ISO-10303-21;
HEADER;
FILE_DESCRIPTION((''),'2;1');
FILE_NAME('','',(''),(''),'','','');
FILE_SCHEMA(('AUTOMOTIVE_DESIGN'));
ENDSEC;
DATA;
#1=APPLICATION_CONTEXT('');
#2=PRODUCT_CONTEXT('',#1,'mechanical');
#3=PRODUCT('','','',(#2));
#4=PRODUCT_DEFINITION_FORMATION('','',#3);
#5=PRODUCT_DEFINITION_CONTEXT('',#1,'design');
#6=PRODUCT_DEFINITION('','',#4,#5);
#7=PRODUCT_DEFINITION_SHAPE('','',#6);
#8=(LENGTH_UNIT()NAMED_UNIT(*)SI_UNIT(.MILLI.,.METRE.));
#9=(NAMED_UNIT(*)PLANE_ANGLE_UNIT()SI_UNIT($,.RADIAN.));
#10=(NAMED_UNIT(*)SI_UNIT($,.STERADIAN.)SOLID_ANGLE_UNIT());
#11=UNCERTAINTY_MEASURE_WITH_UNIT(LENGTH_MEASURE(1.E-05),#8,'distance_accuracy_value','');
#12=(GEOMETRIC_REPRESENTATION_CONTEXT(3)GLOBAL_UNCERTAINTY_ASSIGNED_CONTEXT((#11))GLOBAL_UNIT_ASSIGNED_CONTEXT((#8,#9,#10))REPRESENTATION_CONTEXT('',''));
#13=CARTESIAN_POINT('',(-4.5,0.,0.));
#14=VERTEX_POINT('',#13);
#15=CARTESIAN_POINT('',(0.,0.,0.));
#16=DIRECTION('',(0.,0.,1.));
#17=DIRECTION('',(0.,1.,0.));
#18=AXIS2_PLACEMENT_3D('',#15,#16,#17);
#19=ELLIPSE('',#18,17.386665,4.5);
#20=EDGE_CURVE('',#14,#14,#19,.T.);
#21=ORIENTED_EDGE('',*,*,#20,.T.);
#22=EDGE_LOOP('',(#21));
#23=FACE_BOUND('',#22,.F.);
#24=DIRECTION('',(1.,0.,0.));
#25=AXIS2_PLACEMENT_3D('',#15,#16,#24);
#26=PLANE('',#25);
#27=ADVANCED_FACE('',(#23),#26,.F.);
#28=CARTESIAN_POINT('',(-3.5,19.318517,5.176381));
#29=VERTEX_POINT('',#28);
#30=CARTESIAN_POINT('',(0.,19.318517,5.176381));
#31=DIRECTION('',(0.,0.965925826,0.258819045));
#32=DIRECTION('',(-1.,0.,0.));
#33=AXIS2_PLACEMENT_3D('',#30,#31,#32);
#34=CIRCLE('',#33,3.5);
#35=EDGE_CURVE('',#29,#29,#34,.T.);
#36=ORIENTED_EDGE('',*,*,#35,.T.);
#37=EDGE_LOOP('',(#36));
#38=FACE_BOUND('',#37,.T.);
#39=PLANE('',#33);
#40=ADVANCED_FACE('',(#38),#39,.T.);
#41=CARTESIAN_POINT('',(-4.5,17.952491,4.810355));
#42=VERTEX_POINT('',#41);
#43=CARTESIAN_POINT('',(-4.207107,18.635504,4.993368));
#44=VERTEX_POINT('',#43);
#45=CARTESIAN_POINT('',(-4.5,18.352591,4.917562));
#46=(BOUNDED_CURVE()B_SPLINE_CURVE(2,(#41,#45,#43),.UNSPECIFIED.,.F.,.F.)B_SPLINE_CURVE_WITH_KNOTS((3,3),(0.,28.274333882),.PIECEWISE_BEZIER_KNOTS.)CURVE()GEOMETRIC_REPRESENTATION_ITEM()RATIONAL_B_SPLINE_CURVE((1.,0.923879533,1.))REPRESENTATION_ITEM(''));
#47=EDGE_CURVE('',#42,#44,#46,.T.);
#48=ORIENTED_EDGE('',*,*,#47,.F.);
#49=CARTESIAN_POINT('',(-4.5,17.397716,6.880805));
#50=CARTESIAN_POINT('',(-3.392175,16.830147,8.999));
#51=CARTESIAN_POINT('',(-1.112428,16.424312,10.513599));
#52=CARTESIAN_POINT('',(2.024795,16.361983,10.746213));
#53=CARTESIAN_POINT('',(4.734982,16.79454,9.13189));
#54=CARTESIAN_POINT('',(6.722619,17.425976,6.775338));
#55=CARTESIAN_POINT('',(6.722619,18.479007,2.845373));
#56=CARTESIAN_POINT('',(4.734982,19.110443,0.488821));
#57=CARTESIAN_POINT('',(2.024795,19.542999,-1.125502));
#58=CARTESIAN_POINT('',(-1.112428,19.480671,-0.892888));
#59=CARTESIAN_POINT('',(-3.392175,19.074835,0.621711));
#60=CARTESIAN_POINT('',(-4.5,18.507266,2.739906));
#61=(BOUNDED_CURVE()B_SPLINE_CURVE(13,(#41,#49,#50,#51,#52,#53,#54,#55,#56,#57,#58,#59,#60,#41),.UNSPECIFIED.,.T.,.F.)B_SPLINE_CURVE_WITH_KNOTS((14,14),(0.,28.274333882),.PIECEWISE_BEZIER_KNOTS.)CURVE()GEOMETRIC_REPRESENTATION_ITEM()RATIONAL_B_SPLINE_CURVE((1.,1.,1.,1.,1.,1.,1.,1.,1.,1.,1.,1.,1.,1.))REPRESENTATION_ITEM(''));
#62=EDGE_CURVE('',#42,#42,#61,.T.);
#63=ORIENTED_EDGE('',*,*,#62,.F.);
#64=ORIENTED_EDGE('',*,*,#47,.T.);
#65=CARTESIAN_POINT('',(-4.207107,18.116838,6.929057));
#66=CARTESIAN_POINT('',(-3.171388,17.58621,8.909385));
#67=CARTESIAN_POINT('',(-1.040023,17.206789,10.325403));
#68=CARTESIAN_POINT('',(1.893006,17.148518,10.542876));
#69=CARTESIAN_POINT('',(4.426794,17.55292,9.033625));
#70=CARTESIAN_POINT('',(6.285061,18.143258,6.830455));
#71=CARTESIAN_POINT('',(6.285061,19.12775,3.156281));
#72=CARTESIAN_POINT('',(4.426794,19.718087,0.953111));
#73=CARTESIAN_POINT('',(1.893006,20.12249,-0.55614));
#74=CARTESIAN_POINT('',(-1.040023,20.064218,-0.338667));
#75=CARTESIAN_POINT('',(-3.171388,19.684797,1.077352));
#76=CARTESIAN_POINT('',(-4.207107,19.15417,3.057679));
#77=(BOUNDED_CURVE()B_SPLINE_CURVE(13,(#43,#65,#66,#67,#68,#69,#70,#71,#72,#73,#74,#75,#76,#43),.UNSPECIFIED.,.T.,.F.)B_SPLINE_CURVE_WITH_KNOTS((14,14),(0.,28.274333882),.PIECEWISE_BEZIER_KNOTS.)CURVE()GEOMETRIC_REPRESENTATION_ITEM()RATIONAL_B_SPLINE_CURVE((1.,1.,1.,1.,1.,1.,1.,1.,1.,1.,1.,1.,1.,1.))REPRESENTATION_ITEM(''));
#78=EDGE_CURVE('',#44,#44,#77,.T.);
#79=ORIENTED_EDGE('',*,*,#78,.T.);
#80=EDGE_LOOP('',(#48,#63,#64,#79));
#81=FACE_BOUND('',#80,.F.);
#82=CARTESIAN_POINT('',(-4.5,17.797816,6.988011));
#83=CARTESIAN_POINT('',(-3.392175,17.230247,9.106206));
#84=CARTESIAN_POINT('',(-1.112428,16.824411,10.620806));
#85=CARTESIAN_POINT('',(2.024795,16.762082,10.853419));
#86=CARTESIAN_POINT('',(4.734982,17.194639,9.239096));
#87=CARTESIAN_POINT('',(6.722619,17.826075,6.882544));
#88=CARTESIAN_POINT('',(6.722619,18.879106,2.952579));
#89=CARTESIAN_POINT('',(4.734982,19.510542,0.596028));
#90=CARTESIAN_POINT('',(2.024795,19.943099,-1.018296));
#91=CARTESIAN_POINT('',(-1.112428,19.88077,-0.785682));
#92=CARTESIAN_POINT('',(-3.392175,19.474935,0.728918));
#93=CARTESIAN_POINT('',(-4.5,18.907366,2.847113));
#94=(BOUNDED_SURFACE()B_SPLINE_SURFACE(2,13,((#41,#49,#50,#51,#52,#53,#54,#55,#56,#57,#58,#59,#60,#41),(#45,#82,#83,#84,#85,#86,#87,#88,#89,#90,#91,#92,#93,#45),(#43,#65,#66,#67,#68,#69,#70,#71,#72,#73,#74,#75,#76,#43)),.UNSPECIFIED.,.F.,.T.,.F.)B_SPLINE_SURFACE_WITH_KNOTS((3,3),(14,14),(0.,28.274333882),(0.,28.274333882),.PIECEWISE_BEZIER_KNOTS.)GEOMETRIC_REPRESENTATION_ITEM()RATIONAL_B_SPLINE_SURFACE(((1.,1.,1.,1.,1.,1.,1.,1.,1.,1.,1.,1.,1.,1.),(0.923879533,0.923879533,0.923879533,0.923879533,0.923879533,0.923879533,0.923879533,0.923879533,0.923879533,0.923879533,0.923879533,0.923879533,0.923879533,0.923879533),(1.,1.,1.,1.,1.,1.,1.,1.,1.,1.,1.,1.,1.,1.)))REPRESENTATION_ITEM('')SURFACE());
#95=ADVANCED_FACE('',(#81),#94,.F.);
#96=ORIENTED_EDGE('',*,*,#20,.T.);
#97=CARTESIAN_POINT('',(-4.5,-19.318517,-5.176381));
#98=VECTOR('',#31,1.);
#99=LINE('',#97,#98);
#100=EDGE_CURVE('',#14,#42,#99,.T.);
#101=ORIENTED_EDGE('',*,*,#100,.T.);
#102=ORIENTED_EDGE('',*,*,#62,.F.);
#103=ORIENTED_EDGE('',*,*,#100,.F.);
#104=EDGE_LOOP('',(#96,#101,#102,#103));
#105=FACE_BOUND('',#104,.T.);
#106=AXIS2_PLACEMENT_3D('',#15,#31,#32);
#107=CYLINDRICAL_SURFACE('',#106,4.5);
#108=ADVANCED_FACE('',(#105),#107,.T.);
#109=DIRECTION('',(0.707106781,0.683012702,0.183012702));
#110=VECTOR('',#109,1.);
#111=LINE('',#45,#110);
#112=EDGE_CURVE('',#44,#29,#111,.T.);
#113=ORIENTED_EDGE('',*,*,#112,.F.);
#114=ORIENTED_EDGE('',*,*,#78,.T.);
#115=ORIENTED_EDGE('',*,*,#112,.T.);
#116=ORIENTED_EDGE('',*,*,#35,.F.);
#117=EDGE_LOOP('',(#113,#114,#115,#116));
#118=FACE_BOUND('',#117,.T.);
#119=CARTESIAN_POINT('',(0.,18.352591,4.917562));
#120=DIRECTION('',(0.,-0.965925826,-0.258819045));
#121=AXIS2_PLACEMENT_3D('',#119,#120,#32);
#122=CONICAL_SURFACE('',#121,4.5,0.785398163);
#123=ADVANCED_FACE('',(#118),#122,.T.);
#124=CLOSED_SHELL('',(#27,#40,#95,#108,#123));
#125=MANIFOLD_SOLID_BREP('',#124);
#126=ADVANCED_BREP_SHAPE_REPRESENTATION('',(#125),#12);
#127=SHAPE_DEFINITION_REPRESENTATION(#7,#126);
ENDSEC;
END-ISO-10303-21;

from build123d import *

# Parameters (mm, degrees)
F2_R     = 4.5
F3_DEPTH = 20
F4_W     = 24.8413860019
F4_H     = 60.8130074764
F5_DEPTH = 25
F7_SIZE  = 1
F8_R     = 1


with BuildPart() as f3:
    # F2 (on line) → F3 (new body, symmetric)
    with BuildSketch(Plane(origin=(0, 0, 0), x_dir=(-1, 0, 0), z_dir=(0, 0.9659258263, 0.2588190451))):
        Circle(F2_R)
    extrude(amount=F3_DEPTH, both=True)

    # F4 (on Top) → F5 (cut)
    with BuildSketch(Plane.XY):
        Rectangle(F4_W, F4_H)
    extrude(amount=-F5_DEPTH, mode=Mode.SUBTRACT)

    # F7
    f7_edges = [f3.edges().sort_by_distance(p)[0] for p in [
        (4.5, 19.318517, 5.176381),
    ]]
    chamfer(f7_edges, length=F7_SIZE)

    # F8
    f8_edges = [f3.edges().sort_by_distance(p)[0] for p in [
        (4.5, 18.352591, 4.917562),
    ]]
    fillet(f8_edges, radius=F8_R)


solid = f3.part
